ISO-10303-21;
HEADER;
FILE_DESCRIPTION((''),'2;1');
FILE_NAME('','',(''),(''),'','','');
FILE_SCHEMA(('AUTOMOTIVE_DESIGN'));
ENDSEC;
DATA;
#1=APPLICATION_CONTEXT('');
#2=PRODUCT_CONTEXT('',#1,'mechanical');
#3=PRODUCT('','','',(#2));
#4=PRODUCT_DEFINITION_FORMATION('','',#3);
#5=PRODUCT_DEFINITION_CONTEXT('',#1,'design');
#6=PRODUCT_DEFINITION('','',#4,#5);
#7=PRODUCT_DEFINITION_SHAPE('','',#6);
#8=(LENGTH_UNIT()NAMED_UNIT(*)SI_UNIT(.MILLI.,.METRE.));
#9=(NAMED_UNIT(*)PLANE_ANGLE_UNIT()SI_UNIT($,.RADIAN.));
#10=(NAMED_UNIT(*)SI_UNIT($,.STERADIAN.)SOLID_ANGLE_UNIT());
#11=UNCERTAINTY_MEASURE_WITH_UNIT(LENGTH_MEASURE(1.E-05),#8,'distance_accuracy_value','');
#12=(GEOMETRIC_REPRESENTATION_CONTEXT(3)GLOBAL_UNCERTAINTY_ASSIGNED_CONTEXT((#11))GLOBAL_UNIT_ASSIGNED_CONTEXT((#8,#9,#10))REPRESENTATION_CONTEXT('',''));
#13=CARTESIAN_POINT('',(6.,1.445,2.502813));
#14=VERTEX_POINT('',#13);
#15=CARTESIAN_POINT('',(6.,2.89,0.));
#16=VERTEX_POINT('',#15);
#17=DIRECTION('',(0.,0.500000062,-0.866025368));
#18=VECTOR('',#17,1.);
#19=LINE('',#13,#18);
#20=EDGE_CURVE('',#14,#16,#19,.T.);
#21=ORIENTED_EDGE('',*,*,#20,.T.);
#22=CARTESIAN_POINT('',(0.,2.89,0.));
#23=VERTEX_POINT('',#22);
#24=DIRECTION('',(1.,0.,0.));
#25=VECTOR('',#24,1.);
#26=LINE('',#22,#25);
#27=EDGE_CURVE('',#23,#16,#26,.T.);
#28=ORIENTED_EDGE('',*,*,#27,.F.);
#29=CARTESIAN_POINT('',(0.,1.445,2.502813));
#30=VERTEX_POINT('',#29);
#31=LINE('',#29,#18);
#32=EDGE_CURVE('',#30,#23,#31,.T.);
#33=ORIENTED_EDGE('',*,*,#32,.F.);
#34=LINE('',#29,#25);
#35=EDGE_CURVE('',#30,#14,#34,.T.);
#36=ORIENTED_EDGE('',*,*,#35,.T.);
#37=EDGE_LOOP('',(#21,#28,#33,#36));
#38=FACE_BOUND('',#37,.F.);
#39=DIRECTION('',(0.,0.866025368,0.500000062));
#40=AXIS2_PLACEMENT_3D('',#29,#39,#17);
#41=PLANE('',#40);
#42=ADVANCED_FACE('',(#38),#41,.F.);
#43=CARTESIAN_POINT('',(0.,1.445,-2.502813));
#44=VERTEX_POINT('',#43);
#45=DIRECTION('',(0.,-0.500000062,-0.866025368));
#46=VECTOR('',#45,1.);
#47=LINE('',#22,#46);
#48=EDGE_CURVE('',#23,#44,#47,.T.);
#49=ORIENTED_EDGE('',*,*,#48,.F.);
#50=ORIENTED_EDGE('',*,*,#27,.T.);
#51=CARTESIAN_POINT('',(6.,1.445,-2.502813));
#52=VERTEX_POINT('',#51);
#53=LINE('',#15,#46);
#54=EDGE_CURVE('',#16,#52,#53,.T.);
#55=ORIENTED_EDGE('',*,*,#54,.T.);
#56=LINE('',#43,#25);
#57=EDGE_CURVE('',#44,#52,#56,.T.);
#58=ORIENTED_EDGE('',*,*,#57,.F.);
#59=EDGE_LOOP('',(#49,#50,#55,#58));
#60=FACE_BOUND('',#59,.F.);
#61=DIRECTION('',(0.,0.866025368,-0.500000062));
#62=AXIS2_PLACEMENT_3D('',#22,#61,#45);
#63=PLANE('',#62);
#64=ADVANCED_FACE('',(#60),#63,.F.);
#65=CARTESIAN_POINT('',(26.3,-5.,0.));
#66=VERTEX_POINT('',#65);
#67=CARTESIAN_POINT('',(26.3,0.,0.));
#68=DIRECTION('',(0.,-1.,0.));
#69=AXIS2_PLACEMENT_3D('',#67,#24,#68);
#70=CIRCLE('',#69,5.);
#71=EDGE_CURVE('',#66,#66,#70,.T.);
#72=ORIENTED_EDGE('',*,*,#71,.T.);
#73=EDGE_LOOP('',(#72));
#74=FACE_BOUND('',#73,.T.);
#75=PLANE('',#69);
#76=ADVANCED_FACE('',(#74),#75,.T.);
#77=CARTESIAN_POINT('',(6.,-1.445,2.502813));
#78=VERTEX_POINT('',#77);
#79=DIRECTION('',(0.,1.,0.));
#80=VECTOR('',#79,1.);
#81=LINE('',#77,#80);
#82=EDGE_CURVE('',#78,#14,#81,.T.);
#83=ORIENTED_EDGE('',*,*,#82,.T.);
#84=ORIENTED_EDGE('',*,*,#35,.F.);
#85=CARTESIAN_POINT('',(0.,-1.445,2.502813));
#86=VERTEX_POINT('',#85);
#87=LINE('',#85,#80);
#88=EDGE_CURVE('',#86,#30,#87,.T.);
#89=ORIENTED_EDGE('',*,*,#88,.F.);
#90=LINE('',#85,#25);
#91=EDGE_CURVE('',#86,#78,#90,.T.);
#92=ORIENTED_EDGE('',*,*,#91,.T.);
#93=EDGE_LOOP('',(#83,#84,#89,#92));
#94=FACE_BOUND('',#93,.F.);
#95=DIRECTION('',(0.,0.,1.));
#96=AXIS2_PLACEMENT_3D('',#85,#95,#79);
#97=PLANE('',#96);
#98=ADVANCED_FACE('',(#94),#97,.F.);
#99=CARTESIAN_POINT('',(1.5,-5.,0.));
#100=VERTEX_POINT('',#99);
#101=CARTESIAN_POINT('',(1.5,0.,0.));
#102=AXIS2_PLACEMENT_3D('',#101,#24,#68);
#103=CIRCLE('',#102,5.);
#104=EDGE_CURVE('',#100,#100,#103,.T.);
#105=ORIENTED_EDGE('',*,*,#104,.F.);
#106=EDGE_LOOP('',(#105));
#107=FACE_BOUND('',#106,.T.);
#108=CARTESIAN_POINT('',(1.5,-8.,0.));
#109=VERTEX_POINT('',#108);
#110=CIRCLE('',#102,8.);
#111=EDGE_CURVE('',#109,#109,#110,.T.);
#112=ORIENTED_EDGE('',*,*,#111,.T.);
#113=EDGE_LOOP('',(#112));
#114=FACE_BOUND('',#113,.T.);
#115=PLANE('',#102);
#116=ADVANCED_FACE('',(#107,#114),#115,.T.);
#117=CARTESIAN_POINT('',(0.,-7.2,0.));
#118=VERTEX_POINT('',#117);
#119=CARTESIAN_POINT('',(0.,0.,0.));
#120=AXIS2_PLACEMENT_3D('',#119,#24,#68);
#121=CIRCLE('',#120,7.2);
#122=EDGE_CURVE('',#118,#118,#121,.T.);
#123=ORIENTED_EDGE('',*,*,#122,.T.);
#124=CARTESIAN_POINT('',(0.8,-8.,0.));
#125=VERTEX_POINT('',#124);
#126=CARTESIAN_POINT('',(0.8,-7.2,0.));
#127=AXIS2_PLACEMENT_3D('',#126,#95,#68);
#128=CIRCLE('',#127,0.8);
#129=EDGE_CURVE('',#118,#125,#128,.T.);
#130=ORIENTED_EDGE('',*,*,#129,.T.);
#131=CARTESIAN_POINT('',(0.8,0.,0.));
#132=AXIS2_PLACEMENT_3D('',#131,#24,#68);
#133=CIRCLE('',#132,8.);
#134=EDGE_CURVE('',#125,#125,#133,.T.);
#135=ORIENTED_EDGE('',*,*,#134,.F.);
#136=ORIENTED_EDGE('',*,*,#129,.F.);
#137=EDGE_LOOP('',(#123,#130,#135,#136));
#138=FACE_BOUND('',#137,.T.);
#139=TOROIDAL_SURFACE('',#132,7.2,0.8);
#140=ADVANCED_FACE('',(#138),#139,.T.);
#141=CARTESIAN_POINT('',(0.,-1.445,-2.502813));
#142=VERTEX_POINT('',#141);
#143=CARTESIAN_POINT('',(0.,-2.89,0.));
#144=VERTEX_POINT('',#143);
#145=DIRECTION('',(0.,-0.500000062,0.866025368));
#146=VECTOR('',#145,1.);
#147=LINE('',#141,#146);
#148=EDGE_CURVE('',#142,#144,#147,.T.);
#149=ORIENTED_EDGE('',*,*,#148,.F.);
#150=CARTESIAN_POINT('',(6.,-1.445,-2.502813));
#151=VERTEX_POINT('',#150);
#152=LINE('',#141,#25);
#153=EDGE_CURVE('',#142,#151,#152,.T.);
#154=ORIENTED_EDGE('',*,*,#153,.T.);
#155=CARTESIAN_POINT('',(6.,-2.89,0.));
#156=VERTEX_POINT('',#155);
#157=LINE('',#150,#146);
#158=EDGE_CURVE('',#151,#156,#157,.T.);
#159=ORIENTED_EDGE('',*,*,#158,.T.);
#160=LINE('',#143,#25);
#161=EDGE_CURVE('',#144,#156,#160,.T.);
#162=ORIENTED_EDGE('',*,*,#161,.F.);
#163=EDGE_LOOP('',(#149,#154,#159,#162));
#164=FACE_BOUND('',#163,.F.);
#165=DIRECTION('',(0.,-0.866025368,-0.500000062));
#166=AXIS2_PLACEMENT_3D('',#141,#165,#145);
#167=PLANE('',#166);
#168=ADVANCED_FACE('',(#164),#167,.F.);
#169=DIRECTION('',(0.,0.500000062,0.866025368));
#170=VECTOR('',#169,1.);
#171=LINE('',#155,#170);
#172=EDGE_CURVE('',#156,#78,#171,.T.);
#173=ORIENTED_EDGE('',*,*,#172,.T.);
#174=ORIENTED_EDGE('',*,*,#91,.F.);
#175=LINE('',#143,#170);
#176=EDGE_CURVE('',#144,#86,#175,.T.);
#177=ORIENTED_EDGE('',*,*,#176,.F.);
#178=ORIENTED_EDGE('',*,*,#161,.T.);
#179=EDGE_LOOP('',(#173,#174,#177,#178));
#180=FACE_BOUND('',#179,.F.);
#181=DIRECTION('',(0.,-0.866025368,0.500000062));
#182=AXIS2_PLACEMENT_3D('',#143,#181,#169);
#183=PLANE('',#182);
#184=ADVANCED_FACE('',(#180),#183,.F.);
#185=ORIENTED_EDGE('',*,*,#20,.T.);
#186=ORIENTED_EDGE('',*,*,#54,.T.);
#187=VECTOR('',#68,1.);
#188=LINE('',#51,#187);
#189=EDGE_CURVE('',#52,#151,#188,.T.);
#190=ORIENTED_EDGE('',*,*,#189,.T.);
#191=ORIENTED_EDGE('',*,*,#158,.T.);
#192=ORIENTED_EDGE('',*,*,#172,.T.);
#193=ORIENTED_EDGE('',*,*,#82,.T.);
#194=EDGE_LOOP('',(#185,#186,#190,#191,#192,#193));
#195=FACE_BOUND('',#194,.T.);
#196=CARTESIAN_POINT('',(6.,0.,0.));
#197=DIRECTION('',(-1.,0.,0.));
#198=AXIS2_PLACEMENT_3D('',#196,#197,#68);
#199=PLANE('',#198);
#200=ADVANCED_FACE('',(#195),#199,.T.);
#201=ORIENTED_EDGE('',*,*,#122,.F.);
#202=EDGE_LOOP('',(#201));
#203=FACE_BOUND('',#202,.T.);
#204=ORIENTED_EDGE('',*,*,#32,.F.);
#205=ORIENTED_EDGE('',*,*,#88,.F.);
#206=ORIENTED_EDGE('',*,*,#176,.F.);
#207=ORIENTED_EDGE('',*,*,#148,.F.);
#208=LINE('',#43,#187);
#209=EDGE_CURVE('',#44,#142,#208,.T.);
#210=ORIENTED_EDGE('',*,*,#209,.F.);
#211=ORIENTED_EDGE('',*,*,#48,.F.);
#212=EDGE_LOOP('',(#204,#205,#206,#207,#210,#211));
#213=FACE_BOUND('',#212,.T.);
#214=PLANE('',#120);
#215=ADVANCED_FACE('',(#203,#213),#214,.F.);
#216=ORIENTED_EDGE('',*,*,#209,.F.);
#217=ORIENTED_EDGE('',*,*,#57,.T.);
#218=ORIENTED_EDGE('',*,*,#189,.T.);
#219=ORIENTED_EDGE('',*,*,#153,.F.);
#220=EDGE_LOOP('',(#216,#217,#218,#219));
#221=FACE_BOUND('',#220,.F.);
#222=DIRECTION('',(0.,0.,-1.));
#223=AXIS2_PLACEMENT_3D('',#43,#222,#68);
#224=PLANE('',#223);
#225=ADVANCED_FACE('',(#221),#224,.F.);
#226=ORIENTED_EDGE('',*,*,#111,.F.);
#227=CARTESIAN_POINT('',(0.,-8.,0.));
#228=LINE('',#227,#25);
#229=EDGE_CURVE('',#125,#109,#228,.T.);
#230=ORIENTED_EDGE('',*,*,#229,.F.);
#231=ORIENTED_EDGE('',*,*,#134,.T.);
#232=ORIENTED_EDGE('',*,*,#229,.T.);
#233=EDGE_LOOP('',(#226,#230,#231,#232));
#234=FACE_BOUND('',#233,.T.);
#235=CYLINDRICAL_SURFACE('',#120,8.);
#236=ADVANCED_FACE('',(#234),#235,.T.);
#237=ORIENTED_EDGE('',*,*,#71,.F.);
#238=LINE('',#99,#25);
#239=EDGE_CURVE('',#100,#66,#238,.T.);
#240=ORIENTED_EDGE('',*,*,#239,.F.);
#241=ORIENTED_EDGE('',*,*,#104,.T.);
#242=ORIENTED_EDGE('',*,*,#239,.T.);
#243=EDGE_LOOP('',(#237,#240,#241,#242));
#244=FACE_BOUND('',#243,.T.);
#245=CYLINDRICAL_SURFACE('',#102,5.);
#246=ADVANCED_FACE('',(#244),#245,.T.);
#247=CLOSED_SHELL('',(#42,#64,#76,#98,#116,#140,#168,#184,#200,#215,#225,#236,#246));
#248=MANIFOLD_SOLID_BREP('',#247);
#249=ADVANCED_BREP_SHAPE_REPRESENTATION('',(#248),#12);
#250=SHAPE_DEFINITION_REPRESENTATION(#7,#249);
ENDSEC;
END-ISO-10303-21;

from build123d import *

# Parameters (mm, degrees)
F2_R     = 0.8
F4_DEPTH = 6


with BuildPart() as f1:
    # F0 (on Top) → F1 (revolve)
    with BuildSketch(Plane.XY):
        Polygon((26.3, 0), (0, 0), (0, -8), (1.5, -8), (1.5, -5), (26.3, -5), align=None)
    revolve(axis=Axis((13.15, 0, 0), (1, 0, 0)))

    # F2
    f2_edges = [f1.edges().sort_by_distance(p)[0] for p in [
        (0, 8, 0),
    ]]
    fillet(f2_edges, radius=F2_R)

    # F3 (on face) → F4 (cut)
    with BuildSketch(Plane(origin=(0, 0, 0), x_dir=(0, -1, 0), z_dir=(-1, 0, 0))):
        Polygon((1.445, 2.502813), (-1.445, 2.502813), (-2.89, 0), (-1.445, -2.502813), (1.445, -2.502813), (2.89, 0), align=None)
    extrude(amount=-F4_DEPTH, mode=Mode.SUBTRACT)


solid = f1.part
